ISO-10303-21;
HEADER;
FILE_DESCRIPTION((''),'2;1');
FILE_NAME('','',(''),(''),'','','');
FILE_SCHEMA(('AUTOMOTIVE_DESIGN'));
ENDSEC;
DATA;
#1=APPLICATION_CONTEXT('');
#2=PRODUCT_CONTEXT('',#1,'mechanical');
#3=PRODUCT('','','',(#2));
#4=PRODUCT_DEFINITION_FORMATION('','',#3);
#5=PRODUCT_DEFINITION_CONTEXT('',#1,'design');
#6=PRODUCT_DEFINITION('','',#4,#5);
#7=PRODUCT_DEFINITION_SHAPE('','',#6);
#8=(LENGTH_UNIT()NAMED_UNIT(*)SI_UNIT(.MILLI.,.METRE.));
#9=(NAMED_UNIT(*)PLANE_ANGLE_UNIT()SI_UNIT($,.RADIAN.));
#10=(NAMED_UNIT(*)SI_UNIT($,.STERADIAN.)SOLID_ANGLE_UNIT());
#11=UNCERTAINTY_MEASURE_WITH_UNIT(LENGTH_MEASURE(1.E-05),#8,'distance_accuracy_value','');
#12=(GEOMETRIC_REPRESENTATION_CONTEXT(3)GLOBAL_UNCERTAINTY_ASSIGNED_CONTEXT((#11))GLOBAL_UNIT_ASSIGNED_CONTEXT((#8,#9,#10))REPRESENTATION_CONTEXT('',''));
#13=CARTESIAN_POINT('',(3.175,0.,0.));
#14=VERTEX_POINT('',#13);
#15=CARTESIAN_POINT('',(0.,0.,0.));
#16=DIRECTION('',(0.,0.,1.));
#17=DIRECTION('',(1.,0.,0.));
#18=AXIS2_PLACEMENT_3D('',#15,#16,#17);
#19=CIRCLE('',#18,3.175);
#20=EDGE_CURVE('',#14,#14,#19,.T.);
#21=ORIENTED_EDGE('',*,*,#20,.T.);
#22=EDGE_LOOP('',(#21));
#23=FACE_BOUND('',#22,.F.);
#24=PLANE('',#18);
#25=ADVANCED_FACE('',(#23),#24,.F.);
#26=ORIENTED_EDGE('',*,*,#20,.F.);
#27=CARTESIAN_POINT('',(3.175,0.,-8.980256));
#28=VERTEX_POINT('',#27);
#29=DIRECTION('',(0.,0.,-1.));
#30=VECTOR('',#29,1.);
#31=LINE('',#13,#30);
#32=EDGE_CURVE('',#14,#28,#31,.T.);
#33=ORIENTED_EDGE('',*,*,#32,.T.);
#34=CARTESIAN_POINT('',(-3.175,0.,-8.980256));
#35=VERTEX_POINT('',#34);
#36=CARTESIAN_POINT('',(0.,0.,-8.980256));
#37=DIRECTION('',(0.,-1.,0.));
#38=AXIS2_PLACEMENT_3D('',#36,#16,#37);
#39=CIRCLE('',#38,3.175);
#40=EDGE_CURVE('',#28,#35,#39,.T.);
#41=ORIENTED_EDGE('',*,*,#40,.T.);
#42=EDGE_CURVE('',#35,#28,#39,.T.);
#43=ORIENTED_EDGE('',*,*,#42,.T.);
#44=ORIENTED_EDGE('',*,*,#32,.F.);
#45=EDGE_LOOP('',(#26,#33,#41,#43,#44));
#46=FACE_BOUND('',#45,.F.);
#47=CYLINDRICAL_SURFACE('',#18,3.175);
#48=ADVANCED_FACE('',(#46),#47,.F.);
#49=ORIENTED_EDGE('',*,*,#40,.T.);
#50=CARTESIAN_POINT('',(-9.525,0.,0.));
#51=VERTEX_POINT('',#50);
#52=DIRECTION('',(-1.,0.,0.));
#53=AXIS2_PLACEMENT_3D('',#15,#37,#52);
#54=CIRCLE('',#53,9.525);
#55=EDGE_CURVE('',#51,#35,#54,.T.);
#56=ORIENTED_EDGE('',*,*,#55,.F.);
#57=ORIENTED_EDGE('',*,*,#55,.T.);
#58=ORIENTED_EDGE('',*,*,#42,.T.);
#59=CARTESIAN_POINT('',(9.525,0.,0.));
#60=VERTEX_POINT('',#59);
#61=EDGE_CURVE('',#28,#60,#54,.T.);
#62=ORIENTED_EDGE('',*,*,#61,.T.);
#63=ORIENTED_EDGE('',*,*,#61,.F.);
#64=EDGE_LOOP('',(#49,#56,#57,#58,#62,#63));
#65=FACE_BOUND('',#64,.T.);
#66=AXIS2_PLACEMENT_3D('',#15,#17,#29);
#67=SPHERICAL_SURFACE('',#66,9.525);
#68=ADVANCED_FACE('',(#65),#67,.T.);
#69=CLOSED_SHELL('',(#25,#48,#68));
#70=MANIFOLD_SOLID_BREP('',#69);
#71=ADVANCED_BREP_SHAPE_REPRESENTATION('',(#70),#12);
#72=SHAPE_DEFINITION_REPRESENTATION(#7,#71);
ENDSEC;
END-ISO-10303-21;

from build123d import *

# Parameters (mm, degrees)
F3_R     = 3.175
F4_DEPTH = 25.4


with BuildPart() as f2:
    # F0 (on Front) → F2 (revolve)
    with BuildSketch(Plane.XZ):
        with BuildLine():
            Line((9.525, 0), (-9.525, 0))
            ThreePointArc((-9.525, 0), (0, -9.525), (9.525, 0))
        make_face()
    revolve(axis=Axis((0, 0, 0), (1, 0, 0)))

    # F3 (on Top) → F4 (cut)
    with BuildSketch(Plane.XY):
        Circle(F3_R)
    extrude(amount=-F4_DEPTH, mode=Mode.SUBTRACT)


solid = f2.part
